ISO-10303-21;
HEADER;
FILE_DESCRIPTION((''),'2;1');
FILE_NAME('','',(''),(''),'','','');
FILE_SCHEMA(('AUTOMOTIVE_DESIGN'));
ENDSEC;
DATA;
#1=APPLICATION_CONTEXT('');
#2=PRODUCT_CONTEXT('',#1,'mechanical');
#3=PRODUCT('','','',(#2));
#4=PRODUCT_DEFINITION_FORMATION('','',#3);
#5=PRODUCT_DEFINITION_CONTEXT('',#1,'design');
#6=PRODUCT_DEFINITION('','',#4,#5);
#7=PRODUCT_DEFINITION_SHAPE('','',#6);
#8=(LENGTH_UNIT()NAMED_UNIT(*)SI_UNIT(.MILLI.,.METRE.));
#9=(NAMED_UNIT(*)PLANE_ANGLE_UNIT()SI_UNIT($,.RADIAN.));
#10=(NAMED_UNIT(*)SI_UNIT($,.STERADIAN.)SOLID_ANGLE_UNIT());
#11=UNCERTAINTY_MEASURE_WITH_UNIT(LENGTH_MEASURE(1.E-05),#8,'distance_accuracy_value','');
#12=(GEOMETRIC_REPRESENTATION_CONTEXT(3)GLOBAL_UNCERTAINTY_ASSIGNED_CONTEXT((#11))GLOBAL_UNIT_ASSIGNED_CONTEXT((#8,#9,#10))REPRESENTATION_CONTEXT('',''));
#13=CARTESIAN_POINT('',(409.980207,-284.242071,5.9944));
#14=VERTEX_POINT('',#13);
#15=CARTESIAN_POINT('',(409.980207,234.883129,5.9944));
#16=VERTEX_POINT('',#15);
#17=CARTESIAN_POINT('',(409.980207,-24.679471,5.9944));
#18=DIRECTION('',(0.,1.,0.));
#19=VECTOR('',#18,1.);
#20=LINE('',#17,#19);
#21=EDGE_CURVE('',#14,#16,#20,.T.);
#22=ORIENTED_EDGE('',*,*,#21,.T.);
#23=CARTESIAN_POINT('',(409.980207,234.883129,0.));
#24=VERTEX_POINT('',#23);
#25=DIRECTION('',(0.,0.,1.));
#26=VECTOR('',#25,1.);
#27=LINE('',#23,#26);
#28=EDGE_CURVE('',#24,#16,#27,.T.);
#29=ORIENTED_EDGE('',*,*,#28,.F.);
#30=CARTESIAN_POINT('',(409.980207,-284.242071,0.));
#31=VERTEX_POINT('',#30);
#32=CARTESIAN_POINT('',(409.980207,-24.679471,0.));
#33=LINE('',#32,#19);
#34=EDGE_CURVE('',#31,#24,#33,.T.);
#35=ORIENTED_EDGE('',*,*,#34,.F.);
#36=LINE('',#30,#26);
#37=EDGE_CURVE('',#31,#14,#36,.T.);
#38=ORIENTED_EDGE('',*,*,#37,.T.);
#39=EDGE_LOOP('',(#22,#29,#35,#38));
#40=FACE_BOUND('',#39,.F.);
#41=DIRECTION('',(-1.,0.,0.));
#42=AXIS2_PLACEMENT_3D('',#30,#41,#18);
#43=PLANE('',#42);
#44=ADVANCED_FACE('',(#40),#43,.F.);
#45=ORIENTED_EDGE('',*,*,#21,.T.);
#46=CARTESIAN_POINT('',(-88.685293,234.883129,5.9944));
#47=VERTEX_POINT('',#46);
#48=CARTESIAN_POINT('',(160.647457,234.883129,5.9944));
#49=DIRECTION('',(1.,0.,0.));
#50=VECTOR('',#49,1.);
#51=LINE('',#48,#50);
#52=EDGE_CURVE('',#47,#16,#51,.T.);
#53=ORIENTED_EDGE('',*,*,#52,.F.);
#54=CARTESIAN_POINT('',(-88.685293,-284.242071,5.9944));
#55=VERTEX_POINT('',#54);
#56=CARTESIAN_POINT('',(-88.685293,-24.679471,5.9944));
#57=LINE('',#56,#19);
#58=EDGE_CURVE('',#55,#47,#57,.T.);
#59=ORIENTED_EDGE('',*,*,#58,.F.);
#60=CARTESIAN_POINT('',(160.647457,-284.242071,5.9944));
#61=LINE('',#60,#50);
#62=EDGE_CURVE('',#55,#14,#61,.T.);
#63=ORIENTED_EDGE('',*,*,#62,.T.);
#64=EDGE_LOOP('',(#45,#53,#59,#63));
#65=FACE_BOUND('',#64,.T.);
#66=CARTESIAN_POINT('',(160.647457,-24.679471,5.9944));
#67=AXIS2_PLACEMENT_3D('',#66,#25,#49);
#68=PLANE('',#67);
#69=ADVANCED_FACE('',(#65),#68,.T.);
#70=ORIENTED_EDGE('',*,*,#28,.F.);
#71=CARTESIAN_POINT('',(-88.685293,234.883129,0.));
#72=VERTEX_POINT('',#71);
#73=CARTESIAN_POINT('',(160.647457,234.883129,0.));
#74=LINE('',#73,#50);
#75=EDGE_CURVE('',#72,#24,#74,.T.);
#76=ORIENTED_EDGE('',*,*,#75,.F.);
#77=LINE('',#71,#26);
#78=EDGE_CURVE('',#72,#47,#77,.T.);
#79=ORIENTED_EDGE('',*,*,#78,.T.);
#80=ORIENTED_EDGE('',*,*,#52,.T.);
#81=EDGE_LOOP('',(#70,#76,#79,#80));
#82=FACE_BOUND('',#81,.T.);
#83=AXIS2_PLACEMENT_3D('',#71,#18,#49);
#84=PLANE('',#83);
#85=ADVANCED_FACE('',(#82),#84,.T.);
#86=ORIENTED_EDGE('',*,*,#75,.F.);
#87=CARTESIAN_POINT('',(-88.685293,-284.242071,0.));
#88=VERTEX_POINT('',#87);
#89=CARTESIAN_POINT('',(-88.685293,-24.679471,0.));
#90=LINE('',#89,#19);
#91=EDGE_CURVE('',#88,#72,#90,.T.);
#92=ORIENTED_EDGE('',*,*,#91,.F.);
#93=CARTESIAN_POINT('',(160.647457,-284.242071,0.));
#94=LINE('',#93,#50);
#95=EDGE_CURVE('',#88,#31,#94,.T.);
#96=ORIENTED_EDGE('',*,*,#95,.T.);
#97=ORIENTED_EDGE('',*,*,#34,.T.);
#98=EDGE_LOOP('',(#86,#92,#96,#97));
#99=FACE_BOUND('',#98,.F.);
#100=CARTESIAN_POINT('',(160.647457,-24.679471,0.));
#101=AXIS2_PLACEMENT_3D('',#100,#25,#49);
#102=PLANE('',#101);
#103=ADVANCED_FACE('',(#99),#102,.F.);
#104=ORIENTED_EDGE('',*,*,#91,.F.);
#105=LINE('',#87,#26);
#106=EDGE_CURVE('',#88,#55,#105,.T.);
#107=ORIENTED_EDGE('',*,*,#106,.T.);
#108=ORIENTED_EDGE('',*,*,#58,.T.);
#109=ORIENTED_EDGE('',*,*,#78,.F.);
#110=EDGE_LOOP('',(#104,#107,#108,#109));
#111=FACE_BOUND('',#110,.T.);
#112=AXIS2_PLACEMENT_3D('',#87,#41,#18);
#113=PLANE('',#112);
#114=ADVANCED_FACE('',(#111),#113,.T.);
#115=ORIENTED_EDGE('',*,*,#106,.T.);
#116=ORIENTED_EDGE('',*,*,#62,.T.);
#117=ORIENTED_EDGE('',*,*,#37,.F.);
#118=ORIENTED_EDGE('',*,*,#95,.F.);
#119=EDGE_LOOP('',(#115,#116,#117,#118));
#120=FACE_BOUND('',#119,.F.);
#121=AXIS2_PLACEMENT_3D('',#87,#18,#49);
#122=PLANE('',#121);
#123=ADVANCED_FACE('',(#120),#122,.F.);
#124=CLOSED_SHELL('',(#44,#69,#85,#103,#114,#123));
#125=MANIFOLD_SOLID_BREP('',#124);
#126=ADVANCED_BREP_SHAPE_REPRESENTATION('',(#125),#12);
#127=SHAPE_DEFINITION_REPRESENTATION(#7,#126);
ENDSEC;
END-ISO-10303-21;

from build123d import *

# Parameters (mm, degrees)
SKETCH_W      = 498.6655
SKETCH_H      = 519.1252
EXTRUDE_DEPTH = 5.9944


with BuildPart() as part:
    # Sketch → Extrude (new body)
    with BuildSketch(Plane.XY):
        with Locations((160.647457, -24.679471)):
            Rectangle(SKETCH_W, SKETCH_H)
    extrude(amount=EXTRUDE_DEPTH)


solid = part.part
